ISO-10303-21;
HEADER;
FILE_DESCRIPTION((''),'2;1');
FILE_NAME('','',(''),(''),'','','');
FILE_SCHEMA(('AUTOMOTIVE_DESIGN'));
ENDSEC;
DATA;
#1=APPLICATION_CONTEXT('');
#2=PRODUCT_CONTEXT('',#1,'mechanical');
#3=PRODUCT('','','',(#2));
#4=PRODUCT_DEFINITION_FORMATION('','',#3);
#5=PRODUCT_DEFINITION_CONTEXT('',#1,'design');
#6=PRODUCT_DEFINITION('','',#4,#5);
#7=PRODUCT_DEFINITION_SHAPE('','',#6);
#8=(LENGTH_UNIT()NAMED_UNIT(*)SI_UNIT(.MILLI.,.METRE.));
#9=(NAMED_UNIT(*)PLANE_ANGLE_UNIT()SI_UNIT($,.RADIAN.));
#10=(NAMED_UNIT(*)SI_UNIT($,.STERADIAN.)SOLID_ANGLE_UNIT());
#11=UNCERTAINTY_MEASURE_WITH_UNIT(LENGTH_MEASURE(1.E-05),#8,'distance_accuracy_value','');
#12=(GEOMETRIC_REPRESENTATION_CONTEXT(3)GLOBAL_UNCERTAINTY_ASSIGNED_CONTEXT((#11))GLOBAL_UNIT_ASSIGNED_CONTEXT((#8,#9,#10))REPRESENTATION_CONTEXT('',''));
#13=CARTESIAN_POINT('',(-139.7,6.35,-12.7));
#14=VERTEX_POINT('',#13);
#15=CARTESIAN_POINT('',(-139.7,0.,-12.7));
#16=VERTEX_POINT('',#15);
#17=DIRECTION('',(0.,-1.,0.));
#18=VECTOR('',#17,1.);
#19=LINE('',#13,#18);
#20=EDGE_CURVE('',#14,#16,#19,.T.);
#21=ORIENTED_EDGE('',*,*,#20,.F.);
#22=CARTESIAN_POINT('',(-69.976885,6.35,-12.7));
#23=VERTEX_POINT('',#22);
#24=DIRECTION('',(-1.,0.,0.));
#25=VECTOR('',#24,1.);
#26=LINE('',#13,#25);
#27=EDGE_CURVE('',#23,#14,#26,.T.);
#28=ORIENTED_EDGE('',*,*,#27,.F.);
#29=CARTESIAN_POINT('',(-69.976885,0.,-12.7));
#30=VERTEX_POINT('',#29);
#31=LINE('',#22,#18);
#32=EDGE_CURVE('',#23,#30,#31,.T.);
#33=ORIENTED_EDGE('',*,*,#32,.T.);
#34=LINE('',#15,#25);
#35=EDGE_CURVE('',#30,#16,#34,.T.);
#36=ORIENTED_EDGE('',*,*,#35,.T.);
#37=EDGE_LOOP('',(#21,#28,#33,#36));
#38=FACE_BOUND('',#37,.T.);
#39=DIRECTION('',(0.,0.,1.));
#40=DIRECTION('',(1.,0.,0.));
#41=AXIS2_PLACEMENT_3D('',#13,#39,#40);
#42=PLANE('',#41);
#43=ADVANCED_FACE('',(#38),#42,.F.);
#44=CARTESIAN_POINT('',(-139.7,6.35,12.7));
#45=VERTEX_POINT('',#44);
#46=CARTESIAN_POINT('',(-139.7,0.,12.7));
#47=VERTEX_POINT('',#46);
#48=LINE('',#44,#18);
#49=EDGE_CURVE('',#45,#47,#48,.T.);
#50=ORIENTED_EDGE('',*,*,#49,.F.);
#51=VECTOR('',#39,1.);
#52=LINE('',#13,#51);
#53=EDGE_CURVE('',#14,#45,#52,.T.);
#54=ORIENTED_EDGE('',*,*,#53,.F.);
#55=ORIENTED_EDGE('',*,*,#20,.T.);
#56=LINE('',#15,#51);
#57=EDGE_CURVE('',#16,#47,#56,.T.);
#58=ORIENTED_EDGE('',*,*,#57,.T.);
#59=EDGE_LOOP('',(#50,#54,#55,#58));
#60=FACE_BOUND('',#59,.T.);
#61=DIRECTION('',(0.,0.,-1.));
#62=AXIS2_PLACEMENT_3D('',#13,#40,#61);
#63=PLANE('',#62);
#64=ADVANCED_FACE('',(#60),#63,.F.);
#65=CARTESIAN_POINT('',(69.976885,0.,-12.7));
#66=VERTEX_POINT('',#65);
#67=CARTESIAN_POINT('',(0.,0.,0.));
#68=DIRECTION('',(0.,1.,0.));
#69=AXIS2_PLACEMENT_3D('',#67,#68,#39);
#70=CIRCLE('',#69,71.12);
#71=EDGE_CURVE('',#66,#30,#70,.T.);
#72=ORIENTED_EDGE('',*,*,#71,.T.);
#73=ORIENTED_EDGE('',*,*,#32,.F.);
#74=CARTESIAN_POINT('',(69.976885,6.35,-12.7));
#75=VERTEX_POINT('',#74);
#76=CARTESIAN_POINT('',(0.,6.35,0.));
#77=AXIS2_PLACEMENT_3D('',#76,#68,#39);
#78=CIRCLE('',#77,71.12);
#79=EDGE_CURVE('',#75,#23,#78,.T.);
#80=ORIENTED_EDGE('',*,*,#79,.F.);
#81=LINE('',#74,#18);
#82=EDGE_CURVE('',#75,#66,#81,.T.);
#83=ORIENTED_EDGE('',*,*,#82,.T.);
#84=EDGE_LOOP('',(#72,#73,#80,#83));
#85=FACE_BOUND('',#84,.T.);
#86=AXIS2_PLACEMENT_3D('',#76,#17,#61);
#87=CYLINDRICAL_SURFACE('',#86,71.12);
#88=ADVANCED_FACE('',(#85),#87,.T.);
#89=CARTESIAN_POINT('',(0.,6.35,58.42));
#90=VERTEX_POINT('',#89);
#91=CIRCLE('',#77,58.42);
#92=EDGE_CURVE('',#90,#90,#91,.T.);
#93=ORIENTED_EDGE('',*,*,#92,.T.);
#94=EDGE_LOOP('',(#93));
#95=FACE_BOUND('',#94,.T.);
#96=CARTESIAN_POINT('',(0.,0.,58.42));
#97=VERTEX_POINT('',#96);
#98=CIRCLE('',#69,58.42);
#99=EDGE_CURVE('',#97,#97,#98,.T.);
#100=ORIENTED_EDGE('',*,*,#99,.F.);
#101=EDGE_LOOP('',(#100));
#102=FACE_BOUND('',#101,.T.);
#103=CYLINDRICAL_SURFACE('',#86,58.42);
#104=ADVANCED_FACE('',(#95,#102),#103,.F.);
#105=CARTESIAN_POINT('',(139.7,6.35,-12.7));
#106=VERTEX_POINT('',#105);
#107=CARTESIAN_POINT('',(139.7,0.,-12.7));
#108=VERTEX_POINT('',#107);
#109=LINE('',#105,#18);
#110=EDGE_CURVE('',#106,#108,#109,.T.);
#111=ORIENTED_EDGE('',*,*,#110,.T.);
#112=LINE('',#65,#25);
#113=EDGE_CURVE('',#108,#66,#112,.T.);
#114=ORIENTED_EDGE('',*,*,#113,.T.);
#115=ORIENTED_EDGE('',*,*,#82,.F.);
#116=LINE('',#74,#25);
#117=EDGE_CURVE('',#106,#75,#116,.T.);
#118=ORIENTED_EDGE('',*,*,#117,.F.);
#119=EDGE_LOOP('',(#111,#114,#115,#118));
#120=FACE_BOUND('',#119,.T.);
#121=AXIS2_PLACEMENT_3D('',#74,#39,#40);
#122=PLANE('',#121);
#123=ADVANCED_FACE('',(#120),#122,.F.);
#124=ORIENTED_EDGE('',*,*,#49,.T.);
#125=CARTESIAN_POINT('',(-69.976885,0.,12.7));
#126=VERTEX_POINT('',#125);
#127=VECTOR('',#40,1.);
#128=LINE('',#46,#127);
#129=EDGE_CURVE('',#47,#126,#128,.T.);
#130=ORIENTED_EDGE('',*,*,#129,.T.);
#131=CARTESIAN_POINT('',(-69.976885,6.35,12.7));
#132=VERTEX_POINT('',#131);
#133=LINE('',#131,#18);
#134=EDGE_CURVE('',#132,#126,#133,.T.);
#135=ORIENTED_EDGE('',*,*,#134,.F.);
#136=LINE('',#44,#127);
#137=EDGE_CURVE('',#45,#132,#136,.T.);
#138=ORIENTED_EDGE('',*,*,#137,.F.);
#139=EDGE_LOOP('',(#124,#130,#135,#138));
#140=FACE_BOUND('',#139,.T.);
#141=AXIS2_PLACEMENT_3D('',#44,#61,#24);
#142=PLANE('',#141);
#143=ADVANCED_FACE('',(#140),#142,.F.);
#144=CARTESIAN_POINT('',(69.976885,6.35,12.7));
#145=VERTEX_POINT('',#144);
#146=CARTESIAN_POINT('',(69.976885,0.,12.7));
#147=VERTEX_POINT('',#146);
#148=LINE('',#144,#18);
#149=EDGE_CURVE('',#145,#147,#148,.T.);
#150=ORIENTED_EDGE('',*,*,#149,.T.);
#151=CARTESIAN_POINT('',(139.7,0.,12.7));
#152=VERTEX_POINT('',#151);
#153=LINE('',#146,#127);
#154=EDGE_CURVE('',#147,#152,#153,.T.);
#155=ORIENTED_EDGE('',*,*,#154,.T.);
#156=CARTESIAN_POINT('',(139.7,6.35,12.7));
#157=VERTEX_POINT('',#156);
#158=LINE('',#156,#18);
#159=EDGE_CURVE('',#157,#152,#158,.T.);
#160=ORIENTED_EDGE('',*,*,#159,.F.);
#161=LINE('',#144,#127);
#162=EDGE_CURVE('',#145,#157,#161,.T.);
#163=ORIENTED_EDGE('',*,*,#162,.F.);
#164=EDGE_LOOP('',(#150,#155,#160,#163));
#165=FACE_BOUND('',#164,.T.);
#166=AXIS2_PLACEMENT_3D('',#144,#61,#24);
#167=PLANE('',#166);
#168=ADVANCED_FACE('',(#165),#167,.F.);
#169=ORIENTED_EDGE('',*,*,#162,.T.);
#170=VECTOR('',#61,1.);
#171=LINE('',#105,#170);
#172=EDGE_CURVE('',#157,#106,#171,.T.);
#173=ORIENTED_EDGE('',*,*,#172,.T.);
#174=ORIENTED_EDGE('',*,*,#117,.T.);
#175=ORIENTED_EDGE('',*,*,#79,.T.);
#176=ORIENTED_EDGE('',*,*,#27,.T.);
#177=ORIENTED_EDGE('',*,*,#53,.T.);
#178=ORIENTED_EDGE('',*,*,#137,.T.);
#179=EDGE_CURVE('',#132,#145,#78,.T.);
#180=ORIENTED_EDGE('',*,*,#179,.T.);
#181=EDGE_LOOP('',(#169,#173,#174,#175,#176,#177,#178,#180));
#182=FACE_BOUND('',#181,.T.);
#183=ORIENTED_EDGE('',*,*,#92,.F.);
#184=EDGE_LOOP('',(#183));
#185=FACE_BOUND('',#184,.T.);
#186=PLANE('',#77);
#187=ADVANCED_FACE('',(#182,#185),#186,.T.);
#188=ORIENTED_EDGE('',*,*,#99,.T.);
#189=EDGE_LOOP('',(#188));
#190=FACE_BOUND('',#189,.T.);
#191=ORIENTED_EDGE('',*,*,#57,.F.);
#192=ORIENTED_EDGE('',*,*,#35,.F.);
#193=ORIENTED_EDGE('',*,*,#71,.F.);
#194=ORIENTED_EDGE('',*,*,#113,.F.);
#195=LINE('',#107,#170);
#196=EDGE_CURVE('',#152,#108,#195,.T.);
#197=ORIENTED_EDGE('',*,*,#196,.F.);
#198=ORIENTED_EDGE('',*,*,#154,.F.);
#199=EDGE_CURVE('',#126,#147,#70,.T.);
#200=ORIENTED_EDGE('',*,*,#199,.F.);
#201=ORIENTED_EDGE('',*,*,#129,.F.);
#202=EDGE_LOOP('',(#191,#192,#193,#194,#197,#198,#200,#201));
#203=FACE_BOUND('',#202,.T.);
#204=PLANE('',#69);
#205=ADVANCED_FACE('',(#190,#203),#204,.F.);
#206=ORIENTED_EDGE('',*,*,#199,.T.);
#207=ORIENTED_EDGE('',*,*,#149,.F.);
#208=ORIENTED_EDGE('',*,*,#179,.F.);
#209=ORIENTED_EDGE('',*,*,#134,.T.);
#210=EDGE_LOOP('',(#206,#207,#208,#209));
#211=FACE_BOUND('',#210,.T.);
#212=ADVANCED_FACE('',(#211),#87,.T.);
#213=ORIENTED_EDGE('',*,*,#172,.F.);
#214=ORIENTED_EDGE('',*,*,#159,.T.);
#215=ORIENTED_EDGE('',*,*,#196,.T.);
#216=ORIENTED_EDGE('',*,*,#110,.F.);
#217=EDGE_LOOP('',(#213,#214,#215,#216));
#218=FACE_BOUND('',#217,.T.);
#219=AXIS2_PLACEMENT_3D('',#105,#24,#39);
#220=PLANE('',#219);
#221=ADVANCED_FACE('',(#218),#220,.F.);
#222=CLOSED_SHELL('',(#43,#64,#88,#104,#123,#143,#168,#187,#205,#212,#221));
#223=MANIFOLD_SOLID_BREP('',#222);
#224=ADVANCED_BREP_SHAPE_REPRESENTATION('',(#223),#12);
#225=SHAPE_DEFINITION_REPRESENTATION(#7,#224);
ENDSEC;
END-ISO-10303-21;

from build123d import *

# Parameters (mm, degrees)
SKETCH1_R           = 58.42
BOSS_EXTRUDE1_DEPTH = 6.35


with BuildPart() as part:
    # Sketch1 → Boss-Extrude1 (new body)
    with BuildSketch(Plane(origin=(0, 0, 0), x_dir=(1, 0, 0), z_dir=(0, 1, 0))):
        with BuildLine():
            Line((69.976884755, 12.7), (139.7, 12.7))
            Line((139.7, 12.7), (139.7, -12.7))
            Line((139.7, -12.7), (69.976884755, -12.7))
            ThreePointArc((69.976884755, -12.7), (0, -71.12), (-69.976884755, -12.7))
            Line((-69.976884755, -12.7), (-139.7, -12.7))
            Line((-139.7, -12.7), (-139.7, 12.7))
            Line((-139.7, 12.7), (-69.976884755, 12.7))
            ThreePointArc((-69.976884755, 12.7), (0, 71.12), (69.976884755, 12.7))
        make_face()
        with Locations(Location((0, 0, 0), (0, 0, 270))):
            Circle(SKETCH1_R, mode=Mode.SUBTRACT)
    extrude(amount=BOSS_EXTRUDE1_DEPTH)


solid = part.part
